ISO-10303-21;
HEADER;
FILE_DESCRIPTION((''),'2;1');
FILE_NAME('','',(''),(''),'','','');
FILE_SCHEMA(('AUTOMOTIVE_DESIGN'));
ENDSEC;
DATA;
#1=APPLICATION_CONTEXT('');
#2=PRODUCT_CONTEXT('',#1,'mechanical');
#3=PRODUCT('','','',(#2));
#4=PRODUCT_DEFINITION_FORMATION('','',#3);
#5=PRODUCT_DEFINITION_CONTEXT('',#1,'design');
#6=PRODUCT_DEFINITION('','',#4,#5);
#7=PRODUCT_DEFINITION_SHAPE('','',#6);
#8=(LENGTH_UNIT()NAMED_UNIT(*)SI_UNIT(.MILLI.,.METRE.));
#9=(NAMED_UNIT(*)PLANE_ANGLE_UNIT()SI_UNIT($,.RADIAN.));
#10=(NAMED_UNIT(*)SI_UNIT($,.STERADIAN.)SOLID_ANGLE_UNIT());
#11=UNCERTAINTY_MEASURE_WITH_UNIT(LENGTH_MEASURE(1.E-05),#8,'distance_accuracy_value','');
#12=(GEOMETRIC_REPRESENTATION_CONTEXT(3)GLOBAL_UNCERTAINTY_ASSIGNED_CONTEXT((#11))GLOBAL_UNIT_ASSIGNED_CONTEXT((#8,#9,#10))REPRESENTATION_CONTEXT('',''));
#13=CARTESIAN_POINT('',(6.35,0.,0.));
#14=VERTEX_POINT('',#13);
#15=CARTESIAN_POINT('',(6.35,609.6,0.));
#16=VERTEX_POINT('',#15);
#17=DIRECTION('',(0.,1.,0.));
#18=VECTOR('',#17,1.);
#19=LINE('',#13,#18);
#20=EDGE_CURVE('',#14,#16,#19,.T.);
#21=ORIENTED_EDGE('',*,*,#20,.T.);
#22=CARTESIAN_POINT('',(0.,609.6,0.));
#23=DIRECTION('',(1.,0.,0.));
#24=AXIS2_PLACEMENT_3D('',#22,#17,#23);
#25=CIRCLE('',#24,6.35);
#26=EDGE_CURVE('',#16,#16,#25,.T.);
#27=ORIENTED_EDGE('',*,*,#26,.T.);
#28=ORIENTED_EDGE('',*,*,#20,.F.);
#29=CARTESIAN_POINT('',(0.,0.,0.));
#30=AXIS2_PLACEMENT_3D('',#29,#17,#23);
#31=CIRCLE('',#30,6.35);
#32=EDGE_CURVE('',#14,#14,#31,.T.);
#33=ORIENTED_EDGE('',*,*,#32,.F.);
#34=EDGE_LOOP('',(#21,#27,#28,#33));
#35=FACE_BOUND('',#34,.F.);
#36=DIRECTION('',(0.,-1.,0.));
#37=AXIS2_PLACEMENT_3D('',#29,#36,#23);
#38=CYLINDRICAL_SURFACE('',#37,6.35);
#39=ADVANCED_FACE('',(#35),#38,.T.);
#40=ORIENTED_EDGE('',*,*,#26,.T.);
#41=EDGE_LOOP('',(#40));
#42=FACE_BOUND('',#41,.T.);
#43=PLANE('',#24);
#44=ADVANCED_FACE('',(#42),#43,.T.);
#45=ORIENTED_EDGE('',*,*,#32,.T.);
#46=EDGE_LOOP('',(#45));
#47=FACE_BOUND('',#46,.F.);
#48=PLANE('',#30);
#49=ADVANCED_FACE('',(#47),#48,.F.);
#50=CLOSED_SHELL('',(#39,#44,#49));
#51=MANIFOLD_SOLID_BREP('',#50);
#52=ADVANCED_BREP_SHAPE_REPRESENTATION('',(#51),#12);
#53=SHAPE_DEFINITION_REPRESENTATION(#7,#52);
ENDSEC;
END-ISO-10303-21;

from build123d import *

# Parameters (mm, degrees)
SKETCH1_R           = 6.35
BOSS_EXTRUDE1_DEPTH = 609.6


with BuildPart() as part:
    # Sketch1 → Boss-Extrude1 (new body)
    with BuildSketch(Plane(origin=(0, 0, 0), x_dir=(1, 0, 0), z_dir=(0, 1, 0))):
        Circle(SKETCH1_R)
    extrude(amount=BOSS_EXTRUDE1_DEPTH)


solid = part.part
